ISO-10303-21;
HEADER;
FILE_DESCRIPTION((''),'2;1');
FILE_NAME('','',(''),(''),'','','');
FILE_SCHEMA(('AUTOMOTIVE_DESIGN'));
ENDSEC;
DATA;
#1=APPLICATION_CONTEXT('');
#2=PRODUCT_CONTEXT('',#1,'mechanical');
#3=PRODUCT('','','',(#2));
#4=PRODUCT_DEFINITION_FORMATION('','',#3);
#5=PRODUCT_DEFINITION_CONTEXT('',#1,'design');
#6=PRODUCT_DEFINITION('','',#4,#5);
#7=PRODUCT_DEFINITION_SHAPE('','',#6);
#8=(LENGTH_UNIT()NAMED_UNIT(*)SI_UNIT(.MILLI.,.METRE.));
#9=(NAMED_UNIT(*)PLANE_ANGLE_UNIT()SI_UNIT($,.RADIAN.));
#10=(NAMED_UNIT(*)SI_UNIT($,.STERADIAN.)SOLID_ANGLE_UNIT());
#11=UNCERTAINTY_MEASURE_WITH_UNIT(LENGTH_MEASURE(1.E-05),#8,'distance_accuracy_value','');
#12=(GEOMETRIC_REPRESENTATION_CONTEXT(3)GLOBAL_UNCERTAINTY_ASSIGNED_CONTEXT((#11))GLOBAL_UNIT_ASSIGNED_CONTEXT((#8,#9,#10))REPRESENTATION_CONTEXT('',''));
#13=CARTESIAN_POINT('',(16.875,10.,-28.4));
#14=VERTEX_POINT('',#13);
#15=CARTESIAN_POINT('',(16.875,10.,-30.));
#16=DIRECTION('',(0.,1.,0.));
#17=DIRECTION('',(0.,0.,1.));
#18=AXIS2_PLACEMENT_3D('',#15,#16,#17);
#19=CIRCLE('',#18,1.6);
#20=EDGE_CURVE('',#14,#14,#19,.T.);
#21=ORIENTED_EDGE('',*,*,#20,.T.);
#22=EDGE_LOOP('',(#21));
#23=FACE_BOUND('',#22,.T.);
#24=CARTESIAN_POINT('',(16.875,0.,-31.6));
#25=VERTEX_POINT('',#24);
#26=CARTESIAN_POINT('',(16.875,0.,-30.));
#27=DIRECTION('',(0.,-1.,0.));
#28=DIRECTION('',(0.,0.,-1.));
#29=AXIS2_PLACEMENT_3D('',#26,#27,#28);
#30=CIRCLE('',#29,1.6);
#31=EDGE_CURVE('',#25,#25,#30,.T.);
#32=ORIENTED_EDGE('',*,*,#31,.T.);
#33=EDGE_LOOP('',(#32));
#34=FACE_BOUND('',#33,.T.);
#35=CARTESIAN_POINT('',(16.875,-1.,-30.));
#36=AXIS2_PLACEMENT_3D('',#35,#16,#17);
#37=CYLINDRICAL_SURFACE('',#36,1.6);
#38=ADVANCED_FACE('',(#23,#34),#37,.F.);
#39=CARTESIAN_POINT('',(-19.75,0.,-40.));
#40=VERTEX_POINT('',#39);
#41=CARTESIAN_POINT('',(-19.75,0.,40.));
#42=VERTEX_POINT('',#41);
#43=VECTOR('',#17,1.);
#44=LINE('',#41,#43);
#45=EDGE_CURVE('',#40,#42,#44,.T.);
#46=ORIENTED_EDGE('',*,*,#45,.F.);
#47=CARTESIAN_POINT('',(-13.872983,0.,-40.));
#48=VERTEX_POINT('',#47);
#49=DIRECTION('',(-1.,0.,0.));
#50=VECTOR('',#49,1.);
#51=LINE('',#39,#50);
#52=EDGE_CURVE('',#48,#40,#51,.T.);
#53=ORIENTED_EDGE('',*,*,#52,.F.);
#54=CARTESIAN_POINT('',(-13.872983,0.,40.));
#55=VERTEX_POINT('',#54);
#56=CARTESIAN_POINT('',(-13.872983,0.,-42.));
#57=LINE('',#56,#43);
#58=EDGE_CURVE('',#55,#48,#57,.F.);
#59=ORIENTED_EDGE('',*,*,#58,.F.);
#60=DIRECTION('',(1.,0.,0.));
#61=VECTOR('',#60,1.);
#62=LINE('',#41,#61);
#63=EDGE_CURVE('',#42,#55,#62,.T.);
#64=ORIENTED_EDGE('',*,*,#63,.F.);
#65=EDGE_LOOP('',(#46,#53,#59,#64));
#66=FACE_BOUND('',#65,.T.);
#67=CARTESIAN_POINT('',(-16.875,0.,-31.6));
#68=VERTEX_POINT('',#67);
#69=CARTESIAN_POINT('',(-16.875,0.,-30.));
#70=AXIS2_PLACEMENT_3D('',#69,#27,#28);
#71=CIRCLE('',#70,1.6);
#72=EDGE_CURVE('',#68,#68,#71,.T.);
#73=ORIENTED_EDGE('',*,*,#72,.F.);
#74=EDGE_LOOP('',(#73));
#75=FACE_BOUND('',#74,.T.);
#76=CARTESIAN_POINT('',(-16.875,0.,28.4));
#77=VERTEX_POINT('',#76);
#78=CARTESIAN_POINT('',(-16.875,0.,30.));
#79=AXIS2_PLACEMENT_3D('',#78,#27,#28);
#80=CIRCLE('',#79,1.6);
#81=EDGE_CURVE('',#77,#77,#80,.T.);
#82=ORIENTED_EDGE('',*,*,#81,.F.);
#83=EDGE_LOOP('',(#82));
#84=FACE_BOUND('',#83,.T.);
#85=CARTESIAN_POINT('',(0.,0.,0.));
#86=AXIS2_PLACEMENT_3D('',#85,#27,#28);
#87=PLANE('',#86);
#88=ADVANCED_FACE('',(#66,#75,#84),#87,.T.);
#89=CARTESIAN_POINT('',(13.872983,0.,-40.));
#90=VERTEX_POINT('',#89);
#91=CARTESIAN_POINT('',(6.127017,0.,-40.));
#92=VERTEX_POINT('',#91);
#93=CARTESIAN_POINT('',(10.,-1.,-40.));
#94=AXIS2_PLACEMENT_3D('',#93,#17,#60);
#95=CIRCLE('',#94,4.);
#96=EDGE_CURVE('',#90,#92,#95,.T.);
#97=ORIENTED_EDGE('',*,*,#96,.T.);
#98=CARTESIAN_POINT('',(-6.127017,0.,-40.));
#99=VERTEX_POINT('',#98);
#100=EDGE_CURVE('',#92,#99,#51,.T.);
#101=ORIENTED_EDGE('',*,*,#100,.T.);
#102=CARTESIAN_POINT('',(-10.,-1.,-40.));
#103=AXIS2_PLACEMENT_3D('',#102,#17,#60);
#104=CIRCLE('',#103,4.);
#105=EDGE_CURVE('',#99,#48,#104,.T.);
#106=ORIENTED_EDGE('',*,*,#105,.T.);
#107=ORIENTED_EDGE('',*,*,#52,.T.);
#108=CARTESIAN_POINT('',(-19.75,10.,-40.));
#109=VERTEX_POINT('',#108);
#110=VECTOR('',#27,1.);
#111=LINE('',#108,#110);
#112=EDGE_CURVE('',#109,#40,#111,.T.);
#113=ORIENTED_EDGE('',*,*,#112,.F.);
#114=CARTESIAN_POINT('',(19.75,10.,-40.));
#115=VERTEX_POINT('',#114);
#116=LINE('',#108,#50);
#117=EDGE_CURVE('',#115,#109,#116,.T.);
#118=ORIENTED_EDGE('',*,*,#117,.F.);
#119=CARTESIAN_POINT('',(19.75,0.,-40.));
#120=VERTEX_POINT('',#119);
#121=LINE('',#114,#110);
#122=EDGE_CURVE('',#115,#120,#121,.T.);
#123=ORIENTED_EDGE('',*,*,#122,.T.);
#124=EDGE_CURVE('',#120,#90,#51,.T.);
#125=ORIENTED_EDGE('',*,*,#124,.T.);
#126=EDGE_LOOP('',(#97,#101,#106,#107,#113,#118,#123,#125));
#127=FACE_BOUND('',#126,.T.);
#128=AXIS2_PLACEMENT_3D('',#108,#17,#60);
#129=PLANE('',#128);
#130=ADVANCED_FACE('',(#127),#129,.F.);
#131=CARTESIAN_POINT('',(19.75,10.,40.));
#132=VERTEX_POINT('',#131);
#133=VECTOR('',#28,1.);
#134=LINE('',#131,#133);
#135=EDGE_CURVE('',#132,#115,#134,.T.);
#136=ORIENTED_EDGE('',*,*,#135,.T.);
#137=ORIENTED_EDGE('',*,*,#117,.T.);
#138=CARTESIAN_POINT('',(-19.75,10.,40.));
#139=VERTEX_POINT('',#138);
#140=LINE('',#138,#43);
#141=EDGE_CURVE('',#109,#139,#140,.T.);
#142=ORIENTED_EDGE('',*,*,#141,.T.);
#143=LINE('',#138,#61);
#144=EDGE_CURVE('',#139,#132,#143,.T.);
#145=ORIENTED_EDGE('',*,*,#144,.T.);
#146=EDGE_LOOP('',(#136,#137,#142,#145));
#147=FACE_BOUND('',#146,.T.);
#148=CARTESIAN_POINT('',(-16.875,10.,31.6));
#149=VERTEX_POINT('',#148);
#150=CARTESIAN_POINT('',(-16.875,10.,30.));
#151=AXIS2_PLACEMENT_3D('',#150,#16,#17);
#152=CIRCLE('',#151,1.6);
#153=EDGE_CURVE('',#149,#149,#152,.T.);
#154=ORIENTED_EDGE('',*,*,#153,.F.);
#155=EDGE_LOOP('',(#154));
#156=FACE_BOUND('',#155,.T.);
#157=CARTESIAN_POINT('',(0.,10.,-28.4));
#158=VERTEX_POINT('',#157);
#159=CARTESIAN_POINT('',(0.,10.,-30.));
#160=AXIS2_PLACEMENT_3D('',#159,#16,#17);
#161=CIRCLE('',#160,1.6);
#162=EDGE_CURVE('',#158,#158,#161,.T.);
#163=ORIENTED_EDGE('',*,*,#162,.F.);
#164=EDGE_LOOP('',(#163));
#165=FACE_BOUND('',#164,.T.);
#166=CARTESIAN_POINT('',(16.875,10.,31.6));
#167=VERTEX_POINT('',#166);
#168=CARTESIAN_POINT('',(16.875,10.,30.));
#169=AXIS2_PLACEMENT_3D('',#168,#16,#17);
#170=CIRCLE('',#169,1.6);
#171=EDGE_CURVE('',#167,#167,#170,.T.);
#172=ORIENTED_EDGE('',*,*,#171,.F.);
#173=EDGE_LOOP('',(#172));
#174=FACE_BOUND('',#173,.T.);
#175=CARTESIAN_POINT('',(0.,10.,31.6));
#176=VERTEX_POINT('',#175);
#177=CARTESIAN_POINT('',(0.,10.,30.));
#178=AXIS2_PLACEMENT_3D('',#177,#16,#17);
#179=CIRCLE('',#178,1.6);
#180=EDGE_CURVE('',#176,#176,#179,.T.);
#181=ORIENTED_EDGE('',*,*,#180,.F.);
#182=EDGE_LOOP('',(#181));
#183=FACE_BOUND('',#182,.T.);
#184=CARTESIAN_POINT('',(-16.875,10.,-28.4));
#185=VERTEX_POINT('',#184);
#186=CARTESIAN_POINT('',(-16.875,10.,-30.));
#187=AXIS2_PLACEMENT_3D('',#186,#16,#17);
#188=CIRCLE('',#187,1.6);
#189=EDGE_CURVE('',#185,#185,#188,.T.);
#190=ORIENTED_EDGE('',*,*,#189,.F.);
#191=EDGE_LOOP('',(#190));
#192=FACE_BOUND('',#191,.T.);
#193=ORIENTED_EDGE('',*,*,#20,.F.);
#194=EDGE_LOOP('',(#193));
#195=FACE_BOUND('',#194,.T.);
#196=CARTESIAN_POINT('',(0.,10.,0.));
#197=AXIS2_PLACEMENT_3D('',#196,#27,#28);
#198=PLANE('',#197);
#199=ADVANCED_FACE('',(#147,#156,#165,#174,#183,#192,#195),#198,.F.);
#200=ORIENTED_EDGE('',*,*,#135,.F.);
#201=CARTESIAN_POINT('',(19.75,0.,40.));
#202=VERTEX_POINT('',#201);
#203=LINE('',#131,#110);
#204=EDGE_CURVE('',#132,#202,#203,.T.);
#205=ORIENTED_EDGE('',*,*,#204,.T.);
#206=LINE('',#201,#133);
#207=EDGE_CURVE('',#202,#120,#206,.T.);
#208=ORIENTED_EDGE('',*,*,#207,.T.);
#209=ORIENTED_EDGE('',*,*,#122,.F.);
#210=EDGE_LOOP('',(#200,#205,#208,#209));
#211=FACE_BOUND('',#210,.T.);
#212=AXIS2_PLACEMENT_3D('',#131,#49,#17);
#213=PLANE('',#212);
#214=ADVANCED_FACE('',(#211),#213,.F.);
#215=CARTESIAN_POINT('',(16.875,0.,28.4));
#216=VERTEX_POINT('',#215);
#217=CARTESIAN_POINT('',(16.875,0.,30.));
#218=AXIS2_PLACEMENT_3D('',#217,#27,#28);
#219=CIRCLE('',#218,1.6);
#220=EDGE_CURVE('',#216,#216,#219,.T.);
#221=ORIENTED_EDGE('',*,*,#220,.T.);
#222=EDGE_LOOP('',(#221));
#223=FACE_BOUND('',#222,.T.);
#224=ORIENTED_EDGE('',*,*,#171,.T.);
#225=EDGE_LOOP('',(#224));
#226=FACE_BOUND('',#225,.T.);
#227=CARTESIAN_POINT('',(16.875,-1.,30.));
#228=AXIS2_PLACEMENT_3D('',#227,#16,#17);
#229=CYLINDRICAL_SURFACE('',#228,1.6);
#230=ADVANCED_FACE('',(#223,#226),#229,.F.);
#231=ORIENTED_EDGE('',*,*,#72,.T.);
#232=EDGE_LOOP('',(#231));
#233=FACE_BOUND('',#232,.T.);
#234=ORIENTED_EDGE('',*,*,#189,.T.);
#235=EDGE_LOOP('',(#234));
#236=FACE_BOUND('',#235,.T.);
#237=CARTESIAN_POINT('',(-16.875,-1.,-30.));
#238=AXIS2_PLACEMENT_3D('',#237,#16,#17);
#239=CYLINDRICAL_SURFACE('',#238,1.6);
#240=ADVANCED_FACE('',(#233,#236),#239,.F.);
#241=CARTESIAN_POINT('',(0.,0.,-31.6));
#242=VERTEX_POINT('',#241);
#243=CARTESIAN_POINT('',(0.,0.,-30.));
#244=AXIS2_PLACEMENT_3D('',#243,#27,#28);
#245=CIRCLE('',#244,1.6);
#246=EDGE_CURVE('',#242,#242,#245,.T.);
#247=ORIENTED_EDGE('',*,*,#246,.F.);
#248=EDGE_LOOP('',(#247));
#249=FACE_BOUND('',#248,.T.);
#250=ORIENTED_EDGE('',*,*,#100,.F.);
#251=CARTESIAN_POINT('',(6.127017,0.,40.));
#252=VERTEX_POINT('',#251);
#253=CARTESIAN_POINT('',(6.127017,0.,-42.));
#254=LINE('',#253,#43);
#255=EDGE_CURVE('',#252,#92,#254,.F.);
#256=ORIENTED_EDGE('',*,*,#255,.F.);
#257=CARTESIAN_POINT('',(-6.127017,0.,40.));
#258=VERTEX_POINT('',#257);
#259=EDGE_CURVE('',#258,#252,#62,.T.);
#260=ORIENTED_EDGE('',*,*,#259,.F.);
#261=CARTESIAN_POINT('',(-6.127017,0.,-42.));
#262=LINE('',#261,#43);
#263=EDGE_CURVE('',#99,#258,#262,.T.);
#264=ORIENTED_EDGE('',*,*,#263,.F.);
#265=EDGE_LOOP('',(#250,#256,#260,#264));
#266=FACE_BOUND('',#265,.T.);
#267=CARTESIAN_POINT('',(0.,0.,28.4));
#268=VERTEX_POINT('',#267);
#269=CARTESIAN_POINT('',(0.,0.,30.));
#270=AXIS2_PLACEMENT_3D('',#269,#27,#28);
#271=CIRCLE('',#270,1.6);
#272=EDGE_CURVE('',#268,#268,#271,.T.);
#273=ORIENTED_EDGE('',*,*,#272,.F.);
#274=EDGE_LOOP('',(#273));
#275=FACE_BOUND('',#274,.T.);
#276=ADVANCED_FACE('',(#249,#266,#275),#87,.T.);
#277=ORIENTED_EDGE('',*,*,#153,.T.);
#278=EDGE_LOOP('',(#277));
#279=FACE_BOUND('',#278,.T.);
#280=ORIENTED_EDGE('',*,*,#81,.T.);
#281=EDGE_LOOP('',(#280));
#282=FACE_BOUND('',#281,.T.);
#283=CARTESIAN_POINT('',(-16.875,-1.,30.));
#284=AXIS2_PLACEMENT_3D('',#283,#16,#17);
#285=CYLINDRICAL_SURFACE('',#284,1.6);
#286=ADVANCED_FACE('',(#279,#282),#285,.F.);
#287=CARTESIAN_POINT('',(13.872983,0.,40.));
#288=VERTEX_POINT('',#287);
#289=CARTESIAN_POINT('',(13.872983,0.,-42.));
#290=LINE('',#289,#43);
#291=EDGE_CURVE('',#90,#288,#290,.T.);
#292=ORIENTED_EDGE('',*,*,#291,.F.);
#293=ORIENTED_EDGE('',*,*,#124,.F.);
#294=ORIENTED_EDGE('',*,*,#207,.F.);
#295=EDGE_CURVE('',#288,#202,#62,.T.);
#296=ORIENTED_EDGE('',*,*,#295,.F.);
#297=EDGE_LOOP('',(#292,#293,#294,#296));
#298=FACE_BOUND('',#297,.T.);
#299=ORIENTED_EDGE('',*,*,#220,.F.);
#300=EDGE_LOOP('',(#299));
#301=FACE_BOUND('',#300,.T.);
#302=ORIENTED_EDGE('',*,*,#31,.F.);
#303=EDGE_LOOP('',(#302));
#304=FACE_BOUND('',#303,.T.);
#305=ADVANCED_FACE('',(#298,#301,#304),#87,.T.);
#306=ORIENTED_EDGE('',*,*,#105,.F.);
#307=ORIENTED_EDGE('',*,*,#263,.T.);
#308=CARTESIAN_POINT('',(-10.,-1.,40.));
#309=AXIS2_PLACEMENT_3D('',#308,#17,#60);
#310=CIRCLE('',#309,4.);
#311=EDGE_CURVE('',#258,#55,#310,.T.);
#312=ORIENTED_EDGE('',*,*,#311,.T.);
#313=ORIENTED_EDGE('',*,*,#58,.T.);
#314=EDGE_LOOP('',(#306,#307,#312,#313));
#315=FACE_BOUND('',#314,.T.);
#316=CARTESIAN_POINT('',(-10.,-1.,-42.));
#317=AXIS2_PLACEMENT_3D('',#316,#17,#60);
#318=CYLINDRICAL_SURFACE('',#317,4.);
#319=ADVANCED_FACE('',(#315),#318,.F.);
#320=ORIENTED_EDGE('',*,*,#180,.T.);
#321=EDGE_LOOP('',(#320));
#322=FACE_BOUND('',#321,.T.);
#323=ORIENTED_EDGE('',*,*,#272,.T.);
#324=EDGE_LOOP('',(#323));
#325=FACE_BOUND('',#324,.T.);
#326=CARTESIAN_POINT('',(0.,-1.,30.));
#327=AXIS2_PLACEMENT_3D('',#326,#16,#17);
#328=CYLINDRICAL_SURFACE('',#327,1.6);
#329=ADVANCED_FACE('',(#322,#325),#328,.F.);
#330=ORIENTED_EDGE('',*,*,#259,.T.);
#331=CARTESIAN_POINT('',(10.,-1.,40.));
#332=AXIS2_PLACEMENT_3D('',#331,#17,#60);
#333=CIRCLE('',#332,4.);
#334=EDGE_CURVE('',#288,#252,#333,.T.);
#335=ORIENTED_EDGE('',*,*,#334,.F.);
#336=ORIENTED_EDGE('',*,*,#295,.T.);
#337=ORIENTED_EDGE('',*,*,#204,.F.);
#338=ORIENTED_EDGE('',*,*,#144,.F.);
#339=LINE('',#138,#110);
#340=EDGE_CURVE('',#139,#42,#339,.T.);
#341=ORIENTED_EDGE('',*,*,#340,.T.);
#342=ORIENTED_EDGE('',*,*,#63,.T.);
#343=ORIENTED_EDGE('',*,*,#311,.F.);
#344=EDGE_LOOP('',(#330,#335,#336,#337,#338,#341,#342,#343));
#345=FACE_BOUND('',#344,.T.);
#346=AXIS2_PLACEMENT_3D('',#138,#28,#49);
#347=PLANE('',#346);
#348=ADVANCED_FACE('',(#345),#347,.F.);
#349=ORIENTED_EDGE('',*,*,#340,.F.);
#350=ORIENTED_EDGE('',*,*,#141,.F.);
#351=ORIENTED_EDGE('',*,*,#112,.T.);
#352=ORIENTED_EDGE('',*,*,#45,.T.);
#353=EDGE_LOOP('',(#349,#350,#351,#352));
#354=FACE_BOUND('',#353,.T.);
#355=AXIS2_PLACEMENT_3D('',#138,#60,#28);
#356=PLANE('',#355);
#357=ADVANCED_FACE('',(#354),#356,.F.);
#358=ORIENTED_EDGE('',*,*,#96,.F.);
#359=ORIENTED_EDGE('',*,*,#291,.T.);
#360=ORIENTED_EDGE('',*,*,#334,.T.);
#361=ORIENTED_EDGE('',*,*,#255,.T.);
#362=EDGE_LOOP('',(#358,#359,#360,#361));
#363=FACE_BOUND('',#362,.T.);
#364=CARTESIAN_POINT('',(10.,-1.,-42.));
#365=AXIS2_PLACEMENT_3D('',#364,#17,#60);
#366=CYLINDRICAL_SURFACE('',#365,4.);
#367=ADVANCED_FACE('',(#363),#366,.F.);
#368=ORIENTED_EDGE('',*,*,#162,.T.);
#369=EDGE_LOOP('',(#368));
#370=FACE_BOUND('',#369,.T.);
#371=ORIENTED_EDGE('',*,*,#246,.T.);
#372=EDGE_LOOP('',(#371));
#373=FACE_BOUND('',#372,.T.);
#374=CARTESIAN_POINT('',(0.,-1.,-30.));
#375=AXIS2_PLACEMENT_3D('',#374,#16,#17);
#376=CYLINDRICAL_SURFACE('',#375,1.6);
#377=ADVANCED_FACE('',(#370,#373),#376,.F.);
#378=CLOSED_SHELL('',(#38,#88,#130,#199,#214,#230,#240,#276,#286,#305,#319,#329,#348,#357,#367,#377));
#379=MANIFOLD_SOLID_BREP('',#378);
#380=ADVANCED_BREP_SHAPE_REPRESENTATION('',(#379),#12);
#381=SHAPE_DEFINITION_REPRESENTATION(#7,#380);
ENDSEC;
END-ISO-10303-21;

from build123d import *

# Parameters (mm, degrees)
CROQUIS1_W              = 39.5
CROQUIS1_H              = 80
SALIENTE_EXTRUIR1_DEPTH = 10
CROQUIS2_R              = 4
CORTAR_EXTRUIR1_DEPTH   = 82
CROQUIS3_R              = 1.6
CORTAR_EXTRUIR2_DEPTH   = 11


with BuildPart() as part:
    # Croquis1 → Saliente-Extruir1 (new body)
    with BuildSketch(Plane(origin=(0, 0, 0), x_dir=(1, 0, 0), z_dir=(0, 1, 0))):
        Rectangle(CROQUIS1_W, CROQUIS1_H)
    extrude(amount=SALIENTE_EXTRUIR1_DEPTH)

    # Croquis2 → Cortar-Extruir1 (cut)
    with BuildSketch(Plane.XY.offset(40)):
        with Locations((-10, -1)):
            Circle(CROQUIS2_R)
        with Locations((10, -1)):
            Circle(CROQUIS2_R)
    extrude(amount=-CORTAR_EXTRUIR1_DEPTH, mode=Mode.SUBTRACT)

    # Croquis3 → Cortar-Extruir2 (cut)
    with BuildSketch(Plane(origin=(0, 10, 0), x_dir=(1, 0, 0), z_dir=(0, 1, 0))):
        with Locations(Location((-16.875, 30, 0), (0, 0, 270))):
            Circle(CROQUIS3_R)
        with Locations(Location((0, 30, 0), (0, 0, 270))):
            Circle(CROQUIS3_R)
        with Locations(Location((16.875, 30, 0), (0, 0, 270))):
            Circle(CROQUIS3_R)
        with Locations(Location((-16.875, -30, 0), (0, 0, 270))):
            Circle(CROQUIS3_R)
        with Locations(Location((0, -30, 0), (0, 0, 270))):
            Circle(CROQUIS3_R)
        with Locations(Location((16.875, -30, 0), (0, 0, 270))):
            Circle(CROQUIS3_R)
    extrude(amount=-CORTAR_EXTRUIR2_DEPTH, mode=Mode.SUBTRACT)


solid = part.part
